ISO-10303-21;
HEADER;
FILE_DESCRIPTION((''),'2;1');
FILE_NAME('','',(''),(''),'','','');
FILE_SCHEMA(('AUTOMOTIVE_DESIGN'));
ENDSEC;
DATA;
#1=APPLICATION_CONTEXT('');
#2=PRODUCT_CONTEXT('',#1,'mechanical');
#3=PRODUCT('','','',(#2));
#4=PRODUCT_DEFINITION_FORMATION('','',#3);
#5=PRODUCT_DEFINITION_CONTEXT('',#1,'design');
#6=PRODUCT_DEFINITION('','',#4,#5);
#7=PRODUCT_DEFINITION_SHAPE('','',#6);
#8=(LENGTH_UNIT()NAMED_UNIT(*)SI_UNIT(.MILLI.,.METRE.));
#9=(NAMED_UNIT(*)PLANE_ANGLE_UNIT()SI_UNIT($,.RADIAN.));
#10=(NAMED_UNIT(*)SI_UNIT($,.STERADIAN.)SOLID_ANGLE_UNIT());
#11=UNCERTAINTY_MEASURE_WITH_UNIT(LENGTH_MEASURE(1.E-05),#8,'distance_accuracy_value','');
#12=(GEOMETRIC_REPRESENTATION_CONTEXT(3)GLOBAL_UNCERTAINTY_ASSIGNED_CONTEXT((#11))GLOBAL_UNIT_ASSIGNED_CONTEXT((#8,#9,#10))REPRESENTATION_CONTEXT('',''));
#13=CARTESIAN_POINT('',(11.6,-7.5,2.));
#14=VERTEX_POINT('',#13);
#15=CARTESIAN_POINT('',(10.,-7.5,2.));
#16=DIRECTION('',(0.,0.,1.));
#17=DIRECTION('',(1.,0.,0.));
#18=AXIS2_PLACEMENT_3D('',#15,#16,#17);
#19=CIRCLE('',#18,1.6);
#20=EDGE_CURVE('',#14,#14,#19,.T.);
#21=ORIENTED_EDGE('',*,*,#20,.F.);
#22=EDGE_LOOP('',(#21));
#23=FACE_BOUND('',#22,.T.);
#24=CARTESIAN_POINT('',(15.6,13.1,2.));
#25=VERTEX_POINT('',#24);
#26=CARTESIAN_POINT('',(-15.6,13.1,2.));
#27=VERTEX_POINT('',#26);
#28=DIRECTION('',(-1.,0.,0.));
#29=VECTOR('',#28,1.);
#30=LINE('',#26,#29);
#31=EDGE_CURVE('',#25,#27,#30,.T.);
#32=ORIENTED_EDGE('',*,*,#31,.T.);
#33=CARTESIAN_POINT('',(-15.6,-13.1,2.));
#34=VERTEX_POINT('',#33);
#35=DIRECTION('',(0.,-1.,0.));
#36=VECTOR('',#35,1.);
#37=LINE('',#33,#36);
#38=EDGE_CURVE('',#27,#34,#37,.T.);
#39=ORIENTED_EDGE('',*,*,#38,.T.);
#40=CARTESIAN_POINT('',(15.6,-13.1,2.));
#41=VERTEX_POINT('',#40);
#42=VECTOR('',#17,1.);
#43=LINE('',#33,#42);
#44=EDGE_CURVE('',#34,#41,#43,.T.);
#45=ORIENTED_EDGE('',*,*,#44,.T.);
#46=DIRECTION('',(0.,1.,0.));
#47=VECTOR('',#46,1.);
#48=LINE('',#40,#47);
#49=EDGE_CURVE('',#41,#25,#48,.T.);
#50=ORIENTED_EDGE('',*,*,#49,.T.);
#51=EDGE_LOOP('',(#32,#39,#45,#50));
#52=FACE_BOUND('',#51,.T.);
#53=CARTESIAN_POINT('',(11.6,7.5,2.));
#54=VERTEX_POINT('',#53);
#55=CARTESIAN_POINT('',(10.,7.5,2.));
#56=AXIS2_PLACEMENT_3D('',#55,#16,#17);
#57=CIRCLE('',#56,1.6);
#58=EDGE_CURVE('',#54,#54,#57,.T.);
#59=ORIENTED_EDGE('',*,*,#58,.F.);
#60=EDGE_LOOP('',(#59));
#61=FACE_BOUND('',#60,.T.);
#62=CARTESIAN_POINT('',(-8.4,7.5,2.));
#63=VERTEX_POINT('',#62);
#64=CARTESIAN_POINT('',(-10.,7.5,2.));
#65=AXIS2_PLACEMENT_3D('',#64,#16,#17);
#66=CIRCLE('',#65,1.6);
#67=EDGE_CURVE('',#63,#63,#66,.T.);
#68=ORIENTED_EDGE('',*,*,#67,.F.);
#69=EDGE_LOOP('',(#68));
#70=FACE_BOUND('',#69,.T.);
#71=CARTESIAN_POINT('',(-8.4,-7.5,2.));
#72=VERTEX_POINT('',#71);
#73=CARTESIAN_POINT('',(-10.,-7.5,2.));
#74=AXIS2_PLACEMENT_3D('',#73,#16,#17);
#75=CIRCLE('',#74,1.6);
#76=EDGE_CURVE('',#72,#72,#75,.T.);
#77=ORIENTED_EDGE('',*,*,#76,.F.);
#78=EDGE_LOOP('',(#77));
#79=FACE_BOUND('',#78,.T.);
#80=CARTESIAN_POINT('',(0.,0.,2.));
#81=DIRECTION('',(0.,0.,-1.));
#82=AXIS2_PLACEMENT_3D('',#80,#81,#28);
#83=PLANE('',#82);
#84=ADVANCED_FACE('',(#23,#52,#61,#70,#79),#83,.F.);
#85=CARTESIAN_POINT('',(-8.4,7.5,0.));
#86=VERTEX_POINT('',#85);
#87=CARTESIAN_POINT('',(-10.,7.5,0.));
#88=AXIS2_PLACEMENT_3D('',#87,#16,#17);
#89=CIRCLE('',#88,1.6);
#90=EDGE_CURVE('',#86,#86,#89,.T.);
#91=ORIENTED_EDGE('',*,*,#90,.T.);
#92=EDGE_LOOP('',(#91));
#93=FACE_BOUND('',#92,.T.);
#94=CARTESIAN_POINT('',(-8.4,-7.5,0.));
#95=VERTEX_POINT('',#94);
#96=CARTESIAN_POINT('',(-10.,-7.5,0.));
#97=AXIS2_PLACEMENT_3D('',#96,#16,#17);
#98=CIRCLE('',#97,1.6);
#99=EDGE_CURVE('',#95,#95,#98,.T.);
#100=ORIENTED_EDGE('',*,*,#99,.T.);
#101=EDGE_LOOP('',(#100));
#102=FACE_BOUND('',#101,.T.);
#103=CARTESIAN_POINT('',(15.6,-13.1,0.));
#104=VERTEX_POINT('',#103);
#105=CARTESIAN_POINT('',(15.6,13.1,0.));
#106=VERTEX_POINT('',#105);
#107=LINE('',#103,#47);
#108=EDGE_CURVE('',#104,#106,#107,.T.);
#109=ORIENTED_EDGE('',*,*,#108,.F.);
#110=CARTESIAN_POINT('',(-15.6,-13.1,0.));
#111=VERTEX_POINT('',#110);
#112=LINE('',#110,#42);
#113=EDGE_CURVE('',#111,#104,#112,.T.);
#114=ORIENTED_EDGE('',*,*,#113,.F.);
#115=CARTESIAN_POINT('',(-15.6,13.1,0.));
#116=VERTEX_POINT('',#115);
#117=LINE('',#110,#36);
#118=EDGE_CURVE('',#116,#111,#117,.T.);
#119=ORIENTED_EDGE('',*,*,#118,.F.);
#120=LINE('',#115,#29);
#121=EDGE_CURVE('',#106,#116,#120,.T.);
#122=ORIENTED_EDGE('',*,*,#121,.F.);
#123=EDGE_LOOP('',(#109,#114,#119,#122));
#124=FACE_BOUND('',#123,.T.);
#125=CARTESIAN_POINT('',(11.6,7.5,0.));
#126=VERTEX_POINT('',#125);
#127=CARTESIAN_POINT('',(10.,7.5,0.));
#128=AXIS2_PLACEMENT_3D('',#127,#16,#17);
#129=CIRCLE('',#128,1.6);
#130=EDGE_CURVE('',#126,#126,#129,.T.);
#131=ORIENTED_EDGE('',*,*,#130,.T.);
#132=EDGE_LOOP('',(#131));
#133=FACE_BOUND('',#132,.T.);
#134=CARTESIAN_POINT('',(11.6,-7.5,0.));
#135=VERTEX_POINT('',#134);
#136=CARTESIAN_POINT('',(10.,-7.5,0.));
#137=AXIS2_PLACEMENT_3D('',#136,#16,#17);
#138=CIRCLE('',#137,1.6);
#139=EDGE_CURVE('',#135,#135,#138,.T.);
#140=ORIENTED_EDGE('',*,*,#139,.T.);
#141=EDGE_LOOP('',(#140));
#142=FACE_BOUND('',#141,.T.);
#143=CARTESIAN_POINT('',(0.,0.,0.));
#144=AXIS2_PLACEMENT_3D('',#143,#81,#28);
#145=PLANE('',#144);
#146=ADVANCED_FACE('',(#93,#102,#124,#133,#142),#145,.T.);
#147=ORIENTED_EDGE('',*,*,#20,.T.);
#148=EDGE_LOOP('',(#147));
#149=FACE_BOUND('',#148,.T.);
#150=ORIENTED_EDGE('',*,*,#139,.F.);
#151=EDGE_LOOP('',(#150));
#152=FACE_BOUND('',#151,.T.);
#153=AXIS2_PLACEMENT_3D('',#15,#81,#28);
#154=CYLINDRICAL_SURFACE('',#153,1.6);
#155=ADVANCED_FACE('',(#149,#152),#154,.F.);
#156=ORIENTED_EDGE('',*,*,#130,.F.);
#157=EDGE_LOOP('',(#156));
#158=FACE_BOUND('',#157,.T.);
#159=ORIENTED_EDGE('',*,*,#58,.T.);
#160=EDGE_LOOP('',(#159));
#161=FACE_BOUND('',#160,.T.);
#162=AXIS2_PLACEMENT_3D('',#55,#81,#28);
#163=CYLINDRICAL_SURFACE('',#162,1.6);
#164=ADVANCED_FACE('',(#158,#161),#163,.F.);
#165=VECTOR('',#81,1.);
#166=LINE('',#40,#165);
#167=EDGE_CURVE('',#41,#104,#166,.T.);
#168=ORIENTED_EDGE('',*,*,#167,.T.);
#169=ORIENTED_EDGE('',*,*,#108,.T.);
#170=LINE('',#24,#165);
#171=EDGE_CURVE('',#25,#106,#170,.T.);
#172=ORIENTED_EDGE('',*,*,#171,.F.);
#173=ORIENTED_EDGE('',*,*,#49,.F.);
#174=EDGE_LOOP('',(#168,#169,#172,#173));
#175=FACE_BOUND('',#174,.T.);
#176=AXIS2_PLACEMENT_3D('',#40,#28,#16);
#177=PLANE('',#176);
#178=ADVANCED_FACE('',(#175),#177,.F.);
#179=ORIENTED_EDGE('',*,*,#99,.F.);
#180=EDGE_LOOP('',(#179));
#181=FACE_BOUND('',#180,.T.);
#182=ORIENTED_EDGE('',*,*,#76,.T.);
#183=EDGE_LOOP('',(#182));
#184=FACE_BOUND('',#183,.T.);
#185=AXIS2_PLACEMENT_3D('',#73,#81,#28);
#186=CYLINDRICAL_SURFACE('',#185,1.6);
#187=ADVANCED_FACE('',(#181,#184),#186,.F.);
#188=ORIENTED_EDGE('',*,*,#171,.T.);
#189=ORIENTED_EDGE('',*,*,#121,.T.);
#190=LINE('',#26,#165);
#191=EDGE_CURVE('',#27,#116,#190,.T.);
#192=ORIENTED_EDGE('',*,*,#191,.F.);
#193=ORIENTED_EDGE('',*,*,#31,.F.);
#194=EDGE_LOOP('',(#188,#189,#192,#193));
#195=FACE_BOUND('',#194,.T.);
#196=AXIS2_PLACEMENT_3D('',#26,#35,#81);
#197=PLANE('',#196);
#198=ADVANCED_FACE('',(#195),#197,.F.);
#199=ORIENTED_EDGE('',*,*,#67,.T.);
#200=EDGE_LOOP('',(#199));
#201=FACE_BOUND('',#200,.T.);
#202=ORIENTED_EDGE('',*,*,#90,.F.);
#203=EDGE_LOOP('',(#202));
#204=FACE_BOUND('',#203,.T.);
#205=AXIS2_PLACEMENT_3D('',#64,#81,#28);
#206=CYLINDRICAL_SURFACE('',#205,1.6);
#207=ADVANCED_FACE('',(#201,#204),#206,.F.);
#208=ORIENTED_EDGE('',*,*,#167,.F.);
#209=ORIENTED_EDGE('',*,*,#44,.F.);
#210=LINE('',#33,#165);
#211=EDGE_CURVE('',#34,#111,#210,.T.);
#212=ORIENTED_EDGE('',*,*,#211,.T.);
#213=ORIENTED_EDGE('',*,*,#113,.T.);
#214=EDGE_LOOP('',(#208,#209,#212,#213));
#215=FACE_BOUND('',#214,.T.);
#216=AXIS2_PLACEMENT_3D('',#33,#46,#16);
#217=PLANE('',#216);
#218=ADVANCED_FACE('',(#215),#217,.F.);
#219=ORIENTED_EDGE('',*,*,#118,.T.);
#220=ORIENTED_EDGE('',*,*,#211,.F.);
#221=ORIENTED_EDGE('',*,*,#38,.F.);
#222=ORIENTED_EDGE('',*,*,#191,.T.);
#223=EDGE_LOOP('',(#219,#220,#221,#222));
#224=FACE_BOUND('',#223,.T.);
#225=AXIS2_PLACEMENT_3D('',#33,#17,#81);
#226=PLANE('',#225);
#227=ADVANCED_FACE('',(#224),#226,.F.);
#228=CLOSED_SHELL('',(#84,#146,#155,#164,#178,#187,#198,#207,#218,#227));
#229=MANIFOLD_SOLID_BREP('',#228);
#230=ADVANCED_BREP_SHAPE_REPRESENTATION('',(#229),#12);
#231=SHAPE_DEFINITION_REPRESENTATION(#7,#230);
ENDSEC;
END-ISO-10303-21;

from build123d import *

# Parameters (mm, degrees)
SKETCH1_W           = 31.2
SKETCH1_H           = 26.2
SKETCH1_R           = 1.6
BOSS_EXTRUDE1_DEPTH = 2


with BuildPart() as part:
    # Sketch1 → Boss-Extrude1 (new body)
    with BuildSketch(Plane.XY):
        Rectangle(SKETCH1_W, SKETCH1_H)
        with Locations((-10, 7.5)):
            Circle(SKETCH1_R, mode=Mode.SUBTRACT)
        with Locations((10, 7.5)):
            Circle(SKETCH1_R, mode=Mode.SUBTRACT)
        with Locations((-10, -7.5)):
            Circle(SKETCH1_R, mode=Mode.SUBTRACT)
        with Locations((10, -7.5)):
            Circle(SKETCH1_R, mode=Mode.SUBTRACT)
    extrude(amount=BOSS_EXTRUDE1_DEPTH)


solid = part.part
